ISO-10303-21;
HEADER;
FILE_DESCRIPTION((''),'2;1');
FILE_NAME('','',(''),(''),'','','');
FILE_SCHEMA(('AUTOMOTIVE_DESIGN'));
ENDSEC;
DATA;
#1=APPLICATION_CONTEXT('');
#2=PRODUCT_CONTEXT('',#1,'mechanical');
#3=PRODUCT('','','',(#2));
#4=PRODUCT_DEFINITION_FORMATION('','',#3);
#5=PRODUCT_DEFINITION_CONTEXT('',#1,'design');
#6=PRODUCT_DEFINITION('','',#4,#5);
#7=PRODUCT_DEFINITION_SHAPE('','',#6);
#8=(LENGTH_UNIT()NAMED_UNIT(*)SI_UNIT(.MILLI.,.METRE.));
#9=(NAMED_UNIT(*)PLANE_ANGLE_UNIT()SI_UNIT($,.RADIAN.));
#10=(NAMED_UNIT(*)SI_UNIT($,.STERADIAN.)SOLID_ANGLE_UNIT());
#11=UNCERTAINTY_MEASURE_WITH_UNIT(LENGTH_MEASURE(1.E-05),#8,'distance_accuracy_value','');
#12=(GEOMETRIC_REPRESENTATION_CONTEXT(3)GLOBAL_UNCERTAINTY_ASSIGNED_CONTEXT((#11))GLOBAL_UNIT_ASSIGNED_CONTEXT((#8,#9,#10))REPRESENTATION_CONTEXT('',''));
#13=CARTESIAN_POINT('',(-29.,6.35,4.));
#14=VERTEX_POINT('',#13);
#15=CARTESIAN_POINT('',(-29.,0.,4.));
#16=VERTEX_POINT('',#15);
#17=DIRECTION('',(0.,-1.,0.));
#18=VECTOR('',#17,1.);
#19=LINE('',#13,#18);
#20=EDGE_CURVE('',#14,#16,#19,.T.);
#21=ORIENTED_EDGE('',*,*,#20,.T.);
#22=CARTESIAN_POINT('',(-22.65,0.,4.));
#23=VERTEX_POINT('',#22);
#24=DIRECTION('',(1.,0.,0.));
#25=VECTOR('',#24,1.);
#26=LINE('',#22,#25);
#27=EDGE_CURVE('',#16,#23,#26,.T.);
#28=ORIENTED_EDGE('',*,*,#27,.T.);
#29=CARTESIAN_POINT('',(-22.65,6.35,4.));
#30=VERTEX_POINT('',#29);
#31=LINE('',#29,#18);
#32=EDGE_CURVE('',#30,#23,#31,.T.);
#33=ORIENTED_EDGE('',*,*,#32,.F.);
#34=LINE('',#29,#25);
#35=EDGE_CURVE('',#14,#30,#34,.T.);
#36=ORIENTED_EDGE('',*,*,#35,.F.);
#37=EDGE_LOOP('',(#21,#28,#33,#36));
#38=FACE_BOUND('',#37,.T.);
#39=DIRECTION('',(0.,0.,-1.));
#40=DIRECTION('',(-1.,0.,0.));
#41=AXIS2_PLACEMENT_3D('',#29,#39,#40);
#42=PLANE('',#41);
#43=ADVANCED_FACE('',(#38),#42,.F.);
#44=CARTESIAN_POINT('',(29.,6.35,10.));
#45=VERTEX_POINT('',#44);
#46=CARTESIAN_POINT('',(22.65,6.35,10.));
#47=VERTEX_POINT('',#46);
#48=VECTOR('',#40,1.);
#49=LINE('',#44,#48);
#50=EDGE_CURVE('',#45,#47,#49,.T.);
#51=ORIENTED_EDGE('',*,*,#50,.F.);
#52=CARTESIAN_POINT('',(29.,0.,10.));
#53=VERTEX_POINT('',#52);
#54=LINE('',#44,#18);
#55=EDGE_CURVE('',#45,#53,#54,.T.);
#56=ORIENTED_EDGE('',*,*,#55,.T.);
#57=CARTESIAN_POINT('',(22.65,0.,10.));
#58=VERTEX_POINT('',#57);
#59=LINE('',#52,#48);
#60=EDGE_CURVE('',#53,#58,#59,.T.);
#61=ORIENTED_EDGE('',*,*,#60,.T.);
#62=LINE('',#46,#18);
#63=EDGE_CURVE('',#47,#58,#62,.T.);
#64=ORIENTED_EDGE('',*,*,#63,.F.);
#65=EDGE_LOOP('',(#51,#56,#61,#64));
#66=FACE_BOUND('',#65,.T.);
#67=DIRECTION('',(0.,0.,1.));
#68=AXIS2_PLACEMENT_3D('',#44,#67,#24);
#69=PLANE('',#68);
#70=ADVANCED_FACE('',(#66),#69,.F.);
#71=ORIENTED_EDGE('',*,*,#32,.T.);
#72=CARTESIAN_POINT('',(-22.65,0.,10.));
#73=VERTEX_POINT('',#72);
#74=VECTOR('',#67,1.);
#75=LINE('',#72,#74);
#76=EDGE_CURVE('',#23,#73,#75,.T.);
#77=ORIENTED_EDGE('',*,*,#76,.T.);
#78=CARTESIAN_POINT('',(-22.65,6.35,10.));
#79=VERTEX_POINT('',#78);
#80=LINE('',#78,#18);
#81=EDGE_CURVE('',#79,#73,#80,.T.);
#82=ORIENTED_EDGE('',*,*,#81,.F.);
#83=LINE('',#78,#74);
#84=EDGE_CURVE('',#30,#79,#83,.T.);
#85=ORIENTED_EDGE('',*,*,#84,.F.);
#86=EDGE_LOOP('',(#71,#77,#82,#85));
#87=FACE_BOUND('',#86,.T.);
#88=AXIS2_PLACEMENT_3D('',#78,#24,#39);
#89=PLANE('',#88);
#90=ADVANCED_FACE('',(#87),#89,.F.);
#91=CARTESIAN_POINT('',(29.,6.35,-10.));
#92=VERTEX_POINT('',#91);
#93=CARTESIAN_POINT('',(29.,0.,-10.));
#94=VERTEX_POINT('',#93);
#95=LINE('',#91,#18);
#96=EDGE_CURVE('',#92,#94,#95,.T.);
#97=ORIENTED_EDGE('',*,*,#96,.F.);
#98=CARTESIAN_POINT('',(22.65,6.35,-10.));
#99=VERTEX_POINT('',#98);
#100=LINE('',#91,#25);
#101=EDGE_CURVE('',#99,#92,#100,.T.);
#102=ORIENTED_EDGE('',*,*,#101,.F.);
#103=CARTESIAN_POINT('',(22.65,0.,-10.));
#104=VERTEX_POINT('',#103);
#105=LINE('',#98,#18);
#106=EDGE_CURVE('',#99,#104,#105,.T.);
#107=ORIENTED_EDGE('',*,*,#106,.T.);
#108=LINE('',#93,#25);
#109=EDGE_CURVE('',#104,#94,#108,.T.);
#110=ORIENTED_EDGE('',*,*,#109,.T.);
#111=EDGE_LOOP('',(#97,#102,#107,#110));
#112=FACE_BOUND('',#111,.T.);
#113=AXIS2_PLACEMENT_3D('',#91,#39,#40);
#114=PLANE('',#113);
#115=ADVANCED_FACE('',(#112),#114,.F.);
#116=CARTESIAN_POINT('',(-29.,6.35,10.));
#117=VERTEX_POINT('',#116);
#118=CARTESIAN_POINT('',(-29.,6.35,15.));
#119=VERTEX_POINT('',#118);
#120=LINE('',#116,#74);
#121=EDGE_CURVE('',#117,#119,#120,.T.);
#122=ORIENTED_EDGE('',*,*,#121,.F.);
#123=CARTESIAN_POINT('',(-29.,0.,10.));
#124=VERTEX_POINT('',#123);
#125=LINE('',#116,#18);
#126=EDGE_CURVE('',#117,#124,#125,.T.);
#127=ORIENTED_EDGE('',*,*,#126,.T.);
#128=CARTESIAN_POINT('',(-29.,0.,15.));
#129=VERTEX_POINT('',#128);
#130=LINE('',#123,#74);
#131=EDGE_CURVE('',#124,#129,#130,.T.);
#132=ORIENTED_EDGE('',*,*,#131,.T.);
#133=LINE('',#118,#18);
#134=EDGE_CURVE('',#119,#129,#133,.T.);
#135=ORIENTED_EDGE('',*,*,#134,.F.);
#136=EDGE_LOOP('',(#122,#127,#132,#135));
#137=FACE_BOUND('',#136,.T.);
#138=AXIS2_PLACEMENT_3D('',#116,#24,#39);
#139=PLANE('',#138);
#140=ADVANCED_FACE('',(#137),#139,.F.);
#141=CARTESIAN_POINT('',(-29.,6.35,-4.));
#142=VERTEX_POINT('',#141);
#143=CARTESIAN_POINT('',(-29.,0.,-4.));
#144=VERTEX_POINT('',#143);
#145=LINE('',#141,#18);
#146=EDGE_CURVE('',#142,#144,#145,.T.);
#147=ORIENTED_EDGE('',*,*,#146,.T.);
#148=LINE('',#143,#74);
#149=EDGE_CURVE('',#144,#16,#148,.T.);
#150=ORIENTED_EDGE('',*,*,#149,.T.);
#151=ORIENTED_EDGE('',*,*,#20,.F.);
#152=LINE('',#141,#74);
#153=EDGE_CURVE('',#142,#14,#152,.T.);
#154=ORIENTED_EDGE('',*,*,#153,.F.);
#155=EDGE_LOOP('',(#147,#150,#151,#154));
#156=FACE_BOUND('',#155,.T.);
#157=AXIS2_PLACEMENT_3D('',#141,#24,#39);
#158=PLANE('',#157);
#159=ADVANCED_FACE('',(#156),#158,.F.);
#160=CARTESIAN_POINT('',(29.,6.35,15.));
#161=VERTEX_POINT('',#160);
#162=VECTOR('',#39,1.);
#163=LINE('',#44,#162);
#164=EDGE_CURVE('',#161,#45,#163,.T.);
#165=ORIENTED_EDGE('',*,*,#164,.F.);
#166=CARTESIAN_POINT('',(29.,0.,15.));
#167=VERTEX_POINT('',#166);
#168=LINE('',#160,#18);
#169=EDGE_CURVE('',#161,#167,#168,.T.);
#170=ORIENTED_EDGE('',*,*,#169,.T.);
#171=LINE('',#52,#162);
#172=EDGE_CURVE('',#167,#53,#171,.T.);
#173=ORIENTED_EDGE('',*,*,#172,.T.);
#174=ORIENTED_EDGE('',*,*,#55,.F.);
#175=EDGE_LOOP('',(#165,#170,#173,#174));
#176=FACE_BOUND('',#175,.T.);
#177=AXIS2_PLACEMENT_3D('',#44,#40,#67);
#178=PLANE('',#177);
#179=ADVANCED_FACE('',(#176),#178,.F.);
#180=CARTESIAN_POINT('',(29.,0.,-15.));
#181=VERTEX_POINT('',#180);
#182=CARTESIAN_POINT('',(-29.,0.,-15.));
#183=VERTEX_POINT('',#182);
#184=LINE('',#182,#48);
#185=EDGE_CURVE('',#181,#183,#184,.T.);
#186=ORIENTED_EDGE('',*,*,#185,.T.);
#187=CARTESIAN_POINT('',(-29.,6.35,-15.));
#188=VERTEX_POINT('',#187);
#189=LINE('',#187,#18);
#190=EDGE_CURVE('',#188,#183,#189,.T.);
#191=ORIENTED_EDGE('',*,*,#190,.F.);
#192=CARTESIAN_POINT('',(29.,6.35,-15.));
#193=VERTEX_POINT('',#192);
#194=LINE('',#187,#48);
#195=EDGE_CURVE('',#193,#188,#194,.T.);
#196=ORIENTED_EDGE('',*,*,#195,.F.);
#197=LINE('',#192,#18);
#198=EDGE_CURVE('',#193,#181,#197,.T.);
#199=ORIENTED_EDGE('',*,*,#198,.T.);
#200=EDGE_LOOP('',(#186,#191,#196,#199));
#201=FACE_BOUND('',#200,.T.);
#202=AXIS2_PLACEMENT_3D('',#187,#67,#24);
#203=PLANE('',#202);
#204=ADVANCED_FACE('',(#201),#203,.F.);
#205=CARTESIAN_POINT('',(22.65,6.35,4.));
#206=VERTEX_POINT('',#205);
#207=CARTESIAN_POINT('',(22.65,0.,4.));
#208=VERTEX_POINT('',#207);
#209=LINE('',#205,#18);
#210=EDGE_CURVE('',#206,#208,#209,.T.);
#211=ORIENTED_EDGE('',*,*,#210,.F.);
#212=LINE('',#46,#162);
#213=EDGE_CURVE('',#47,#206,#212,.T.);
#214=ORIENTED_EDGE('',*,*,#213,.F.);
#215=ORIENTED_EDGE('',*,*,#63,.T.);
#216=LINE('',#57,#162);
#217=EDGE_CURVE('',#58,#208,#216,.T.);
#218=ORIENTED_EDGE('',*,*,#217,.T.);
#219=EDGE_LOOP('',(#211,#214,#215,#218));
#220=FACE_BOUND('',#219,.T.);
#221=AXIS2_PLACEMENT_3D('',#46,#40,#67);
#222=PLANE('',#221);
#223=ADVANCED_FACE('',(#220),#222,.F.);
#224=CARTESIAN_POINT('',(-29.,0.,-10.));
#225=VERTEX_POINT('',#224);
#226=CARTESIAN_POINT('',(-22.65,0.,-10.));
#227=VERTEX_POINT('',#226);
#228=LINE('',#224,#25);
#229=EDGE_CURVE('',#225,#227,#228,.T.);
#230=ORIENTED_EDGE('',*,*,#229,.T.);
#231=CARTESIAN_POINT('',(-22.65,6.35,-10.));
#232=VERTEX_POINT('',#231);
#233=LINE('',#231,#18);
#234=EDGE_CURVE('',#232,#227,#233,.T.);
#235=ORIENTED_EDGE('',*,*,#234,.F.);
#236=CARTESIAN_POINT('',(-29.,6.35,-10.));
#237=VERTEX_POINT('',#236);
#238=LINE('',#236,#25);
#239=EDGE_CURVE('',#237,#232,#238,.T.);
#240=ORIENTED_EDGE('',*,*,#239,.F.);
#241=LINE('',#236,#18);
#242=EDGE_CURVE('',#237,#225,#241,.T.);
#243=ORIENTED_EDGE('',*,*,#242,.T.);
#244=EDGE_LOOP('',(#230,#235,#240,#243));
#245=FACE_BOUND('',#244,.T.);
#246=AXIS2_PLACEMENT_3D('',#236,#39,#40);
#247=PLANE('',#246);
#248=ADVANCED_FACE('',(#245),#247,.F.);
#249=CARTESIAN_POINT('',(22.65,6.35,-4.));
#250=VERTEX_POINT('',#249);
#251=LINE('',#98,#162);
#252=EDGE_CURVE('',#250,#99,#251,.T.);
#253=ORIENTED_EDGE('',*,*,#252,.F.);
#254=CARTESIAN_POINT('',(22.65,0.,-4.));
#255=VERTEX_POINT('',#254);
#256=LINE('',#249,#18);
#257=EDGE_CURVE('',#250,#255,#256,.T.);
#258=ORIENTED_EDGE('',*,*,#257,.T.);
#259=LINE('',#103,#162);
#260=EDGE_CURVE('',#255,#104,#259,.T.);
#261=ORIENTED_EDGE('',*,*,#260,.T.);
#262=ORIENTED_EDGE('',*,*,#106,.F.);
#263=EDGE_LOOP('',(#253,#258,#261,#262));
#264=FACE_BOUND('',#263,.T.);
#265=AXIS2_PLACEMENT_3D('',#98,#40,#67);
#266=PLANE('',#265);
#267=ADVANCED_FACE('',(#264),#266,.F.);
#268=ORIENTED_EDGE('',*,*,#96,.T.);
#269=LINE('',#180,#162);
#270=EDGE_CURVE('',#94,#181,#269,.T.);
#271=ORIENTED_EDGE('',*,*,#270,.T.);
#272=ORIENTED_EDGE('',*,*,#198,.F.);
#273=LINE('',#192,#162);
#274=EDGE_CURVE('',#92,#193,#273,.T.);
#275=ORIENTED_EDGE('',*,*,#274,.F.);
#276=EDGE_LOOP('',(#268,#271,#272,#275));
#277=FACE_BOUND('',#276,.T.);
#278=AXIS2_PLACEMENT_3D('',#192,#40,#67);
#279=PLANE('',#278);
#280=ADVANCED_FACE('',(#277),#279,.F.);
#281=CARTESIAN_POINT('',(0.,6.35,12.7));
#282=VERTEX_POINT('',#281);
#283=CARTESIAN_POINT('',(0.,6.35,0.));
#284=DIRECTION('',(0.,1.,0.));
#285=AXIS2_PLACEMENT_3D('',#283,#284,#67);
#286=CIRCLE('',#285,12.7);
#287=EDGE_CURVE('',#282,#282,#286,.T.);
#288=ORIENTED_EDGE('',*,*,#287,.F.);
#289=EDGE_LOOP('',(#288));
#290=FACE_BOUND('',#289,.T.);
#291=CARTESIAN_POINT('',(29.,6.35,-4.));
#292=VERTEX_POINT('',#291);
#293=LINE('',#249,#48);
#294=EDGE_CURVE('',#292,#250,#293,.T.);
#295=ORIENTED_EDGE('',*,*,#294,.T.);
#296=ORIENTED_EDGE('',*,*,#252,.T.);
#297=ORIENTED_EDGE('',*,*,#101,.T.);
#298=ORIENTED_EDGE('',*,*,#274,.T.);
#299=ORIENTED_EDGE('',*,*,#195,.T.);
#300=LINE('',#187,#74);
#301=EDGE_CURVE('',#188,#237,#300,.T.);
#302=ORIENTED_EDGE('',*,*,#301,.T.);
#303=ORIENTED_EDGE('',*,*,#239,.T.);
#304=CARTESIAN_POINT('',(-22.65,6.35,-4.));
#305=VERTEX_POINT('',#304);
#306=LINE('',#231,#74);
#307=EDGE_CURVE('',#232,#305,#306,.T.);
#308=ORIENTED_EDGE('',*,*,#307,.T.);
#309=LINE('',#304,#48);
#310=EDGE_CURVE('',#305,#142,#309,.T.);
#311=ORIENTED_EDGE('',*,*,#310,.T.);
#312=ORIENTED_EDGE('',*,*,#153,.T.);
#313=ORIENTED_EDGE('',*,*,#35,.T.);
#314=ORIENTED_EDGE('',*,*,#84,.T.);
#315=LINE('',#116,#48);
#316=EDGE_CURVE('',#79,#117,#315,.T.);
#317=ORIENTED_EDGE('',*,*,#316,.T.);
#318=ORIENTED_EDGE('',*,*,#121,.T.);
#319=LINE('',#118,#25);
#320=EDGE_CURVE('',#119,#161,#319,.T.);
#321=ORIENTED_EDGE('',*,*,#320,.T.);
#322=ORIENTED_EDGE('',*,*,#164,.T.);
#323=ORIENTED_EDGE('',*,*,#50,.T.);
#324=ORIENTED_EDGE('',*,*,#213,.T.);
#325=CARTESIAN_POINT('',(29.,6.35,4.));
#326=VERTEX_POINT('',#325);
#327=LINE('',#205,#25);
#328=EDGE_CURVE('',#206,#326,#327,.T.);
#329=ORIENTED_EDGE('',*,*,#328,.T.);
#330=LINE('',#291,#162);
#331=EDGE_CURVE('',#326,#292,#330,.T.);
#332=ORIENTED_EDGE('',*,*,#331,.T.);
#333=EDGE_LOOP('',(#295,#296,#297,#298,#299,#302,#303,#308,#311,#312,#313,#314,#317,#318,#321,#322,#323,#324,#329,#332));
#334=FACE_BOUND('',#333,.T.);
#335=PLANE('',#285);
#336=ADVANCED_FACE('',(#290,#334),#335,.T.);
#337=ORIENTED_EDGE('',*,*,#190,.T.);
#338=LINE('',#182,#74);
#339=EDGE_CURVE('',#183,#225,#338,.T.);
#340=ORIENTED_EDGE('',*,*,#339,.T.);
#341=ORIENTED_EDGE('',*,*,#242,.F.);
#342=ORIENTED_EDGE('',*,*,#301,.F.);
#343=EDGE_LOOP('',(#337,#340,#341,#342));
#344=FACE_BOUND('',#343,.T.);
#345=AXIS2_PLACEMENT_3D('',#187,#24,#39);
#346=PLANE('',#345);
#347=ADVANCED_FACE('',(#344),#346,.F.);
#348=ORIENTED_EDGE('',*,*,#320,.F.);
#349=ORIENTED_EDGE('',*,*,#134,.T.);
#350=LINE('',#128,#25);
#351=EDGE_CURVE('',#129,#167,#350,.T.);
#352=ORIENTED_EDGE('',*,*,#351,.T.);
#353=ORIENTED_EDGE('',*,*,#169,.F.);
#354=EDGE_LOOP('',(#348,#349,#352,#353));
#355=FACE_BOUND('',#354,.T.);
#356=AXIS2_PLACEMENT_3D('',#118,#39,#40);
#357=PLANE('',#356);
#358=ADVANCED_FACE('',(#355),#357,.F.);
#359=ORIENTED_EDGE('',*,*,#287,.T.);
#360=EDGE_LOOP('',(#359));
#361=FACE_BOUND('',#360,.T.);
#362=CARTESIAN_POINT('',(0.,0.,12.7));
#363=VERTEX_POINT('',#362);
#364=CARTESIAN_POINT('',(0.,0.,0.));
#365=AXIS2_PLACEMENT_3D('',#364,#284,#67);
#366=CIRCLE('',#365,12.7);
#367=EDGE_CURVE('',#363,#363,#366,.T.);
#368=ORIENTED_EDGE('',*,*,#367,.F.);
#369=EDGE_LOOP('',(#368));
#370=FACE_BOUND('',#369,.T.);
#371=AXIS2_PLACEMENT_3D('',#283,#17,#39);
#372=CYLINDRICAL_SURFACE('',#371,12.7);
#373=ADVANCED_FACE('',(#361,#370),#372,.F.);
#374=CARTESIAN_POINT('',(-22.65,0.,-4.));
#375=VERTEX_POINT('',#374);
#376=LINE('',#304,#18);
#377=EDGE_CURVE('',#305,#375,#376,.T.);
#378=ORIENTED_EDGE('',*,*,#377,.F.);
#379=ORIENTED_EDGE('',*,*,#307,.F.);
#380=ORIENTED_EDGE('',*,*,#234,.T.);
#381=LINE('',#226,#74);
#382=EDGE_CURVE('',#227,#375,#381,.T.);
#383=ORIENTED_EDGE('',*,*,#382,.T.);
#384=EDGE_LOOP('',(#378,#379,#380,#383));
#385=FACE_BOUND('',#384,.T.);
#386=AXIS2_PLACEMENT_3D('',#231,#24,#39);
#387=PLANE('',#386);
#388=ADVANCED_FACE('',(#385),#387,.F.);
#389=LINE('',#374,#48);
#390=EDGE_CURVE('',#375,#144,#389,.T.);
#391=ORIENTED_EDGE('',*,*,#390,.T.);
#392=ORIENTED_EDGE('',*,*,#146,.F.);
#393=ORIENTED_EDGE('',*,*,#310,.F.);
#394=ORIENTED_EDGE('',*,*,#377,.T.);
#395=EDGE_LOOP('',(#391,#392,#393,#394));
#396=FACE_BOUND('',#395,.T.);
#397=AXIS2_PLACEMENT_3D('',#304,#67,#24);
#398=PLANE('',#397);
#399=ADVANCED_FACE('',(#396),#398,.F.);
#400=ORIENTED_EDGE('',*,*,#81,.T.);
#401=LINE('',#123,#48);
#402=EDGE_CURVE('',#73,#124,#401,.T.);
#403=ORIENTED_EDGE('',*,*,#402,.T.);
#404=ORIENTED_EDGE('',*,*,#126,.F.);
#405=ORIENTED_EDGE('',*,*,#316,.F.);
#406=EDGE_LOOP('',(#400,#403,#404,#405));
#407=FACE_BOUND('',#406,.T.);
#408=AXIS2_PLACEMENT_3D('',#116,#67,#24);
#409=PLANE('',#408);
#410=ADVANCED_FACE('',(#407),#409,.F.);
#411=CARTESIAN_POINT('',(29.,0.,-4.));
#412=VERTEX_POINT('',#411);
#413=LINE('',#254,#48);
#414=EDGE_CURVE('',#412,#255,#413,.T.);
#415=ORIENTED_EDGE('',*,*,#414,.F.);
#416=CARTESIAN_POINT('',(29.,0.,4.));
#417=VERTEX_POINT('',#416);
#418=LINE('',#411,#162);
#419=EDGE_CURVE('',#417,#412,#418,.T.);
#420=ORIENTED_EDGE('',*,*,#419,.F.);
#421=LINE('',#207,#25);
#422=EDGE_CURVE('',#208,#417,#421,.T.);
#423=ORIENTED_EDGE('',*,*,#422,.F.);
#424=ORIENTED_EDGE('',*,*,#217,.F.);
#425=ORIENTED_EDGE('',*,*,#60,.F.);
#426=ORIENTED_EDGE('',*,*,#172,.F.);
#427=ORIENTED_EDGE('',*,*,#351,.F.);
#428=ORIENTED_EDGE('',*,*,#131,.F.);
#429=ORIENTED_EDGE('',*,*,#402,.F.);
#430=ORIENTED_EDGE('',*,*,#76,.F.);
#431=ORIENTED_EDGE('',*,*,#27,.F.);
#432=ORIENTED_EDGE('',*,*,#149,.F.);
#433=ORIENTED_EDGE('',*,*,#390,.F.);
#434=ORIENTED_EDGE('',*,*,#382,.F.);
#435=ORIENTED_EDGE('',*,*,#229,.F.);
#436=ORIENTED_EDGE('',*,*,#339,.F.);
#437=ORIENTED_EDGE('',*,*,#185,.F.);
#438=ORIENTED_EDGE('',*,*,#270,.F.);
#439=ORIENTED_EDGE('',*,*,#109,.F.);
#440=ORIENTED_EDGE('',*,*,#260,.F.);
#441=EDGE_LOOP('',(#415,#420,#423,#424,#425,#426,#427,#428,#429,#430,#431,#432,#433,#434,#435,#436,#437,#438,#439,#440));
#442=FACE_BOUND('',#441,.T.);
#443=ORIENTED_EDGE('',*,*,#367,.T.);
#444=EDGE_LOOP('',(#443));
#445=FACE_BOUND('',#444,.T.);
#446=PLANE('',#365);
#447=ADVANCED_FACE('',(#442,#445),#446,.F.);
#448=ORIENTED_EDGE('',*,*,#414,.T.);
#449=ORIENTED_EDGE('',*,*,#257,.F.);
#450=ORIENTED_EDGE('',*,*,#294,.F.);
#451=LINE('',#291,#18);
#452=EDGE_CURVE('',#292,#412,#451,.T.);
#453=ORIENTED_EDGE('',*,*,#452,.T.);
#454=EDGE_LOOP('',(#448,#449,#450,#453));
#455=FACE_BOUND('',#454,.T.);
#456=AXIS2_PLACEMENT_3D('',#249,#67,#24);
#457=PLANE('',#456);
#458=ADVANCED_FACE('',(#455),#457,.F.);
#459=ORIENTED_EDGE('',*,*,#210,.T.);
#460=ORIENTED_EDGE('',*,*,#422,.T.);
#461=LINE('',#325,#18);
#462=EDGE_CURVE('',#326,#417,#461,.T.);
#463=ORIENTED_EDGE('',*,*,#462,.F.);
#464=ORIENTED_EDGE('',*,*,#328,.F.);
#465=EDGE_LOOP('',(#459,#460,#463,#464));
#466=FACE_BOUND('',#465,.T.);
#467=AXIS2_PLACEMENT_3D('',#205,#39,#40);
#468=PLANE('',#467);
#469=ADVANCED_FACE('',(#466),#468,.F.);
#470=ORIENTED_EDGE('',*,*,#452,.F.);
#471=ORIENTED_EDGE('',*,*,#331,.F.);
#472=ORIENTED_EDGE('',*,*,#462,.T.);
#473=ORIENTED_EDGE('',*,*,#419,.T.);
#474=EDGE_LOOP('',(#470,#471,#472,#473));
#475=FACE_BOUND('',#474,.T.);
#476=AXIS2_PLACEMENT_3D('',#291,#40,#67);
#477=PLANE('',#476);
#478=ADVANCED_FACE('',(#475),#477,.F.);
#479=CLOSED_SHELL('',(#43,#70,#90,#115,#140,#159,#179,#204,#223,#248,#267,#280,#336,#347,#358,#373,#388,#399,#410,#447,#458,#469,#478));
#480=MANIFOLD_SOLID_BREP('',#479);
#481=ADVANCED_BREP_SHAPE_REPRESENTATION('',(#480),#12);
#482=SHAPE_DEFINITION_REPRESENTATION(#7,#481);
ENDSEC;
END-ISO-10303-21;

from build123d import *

# Parameters (mm, degrees)
SKETCH1_R           = 12.7
BOSS_EXTRUDE1_DEPTH = 6.35


with BuildPart() as part:
    # Sketch1 → Boss-Extrude1 (new body)
    with BuildSketch(Plane(origin=(0, 0, 0), x_dir=(1, 0, 0), z_dir=(0, 1, 0))):
        Polygon((-29, 15), (29, 15), (29, 10), (22.65, 10), (22.65, 4), (29, 4), (29, -4), (22.65, -4), (22.65, -10), (29, -10), (29, -15), (-29, -15), (-29, -10), (-22.65, -10), (-22.65, -4), (-29, -4), (-29, 4), (-22.65, 4), (-22.65, 10), (-29, 10), align=None)
        with Locations(Location((0, 0, 0), (0, 0, 270))):
            Circle(SKETCH1_R, mode=Mode.SUBTRACT)
    extrude(amount=BOSS_EXTRUDE1_DEPTH)


solid = part.part
